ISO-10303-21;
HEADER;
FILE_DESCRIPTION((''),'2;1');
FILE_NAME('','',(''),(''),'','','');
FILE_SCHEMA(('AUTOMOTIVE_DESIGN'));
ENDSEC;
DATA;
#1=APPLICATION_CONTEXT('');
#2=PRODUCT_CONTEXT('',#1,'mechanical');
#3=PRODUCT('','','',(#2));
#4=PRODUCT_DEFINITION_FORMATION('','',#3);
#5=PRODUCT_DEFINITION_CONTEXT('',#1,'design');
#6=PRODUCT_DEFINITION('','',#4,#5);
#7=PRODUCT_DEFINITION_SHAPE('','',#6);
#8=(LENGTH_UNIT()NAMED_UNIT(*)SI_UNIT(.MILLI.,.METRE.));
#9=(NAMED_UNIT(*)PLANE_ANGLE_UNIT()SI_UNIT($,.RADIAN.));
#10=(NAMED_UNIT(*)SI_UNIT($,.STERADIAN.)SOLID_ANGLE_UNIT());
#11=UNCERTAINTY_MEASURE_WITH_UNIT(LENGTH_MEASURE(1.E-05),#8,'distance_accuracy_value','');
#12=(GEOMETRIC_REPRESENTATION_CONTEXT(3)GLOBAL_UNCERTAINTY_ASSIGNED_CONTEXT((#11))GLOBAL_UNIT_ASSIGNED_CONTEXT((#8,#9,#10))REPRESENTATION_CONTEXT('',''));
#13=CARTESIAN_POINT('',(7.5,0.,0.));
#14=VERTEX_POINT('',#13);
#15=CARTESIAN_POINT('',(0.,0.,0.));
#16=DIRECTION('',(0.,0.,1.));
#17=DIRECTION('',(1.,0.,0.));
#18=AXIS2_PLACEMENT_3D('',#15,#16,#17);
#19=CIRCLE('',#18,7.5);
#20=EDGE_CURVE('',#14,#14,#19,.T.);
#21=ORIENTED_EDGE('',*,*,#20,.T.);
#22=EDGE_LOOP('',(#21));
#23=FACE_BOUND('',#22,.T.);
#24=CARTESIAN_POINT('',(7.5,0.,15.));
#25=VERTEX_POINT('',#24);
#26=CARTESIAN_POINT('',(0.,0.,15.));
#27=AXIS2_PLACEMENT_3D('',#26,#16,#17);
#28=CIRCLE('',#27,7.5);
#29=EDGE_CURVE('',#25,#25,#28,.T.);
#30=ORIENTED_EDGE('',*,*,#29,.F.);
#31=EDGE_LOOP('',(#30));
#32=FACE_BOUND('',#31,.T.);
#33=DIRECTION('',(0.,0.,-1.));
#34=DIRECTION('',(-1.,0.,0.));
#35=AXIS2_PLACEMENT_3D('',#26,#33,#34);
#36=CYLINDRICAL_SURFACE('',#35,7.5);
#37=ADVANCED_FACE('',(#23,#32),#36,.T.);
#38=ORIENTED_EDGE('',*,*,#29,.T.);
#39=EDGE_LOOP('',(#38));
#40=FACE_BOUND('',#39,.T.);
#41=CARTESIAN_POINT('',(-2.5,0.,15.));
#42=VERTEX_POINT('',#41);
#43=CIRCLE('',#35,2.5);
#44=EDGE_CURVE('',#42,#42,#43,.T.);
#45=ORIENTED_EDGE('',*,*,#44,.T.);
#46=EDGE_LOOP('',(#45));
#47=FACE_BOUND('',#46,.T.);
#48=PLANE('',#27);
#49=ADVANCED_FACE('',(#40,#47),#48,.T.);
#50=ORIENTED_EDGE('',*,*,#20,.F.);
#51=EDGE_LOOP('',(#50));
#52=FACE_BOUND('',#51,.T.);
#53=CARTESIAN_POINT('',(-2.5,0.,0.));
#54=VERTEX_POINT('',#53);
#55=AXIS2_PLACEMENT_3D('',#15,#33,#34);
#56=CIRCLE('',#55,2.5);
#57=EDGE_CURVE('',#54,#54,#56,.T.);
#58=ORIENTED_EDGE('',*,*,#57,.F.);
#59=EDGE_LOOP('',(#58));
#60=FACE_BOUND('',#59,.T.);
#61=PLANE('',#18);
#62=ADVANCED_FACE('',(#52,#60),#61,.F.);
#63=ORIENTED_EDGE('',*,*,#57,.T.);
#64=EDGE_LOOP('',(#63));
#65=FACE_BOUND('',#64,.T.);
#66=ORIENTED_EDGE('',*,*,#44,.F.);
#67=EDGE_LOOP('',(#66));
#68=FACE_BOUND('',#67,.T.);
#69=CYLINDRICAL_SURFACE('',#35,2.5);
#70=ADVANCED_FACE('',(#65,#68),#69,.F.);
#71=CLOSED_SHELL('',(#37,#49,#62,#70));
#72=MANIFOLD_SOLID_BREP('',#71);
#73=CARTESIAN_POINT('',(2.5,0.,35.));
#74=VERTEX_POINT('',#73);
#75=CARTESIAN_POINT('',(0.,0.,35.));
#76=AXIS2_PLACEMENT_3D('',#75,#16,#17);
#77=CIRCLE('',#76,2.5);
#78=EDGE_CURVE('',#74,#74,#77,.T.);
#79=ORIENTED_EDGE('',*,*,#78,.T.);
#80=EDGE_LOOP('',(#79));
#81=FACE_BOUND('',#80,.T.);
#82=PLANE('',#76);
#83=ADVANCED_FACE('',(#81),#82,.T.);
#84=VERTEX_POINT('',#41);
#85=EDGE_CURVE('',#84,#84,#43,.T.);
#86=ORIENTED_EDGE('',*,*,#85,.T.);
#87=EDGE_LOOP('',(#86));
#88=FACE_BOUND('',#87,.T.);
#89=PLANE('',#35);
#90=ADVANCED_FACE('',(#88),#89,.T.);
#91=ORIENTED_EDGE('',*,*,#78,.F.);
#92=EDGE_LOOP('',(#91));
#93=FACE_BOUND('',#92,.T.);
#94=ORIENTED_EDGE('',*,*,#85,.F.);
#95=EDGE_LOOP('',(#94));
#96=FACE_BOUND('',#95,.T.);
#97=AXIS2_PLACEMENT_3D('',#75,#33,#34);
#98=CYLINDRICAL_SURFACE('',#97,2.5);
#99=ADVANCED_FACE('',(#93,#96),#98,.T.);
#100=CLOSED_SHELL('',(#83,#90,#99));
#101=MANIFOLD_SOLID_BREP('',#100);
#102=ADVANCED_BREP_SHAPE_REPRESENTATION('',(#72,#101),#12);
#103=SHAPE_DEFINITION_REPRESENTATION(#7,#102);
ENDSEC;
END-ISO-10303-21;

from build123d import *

# Parameters (mm, degrees)
SKETCH1_R           = 7.5
BOSS_EXTRUDE1_DEPTH = 15
SKETCH2_R           = 2.5
BOSS_EXTRUDE2_DEPTH = 20
SKETCH3_R           = 2.5
CUT_EXTRUDE1_DEPTH  = 15


with BuildPart() as part:
    # Sketch1 → Boss-Extrude1 (new body)
    with BuildSketch(Plane.XY):
        Circle(SKETCH1_R)
    extrude(amount=BOSS_EXTRUDE1_DEPTH)

    # Sketch2 → Boss-Extrude2 (add)
    with BuildSketch(Plane.XY.offset(15)):
        Circle(SKETCH2_R)
    extrude(amount=BOSS_EXTRUDE2_DEPTH)

    # Sketch3 → Cut-Extrude1 (cut)
    with BuildSketch(Plane(origin=(0, 0, 0), x_dir=(-1, 0, 0), z_dir=(0, 0, -1))):
        Circle(SKETCH3_R)
    extrude(amount=-CUT_EXTRUDE1_DEPTH, mode=Mode.SUBTRACT)


solid = part.part
